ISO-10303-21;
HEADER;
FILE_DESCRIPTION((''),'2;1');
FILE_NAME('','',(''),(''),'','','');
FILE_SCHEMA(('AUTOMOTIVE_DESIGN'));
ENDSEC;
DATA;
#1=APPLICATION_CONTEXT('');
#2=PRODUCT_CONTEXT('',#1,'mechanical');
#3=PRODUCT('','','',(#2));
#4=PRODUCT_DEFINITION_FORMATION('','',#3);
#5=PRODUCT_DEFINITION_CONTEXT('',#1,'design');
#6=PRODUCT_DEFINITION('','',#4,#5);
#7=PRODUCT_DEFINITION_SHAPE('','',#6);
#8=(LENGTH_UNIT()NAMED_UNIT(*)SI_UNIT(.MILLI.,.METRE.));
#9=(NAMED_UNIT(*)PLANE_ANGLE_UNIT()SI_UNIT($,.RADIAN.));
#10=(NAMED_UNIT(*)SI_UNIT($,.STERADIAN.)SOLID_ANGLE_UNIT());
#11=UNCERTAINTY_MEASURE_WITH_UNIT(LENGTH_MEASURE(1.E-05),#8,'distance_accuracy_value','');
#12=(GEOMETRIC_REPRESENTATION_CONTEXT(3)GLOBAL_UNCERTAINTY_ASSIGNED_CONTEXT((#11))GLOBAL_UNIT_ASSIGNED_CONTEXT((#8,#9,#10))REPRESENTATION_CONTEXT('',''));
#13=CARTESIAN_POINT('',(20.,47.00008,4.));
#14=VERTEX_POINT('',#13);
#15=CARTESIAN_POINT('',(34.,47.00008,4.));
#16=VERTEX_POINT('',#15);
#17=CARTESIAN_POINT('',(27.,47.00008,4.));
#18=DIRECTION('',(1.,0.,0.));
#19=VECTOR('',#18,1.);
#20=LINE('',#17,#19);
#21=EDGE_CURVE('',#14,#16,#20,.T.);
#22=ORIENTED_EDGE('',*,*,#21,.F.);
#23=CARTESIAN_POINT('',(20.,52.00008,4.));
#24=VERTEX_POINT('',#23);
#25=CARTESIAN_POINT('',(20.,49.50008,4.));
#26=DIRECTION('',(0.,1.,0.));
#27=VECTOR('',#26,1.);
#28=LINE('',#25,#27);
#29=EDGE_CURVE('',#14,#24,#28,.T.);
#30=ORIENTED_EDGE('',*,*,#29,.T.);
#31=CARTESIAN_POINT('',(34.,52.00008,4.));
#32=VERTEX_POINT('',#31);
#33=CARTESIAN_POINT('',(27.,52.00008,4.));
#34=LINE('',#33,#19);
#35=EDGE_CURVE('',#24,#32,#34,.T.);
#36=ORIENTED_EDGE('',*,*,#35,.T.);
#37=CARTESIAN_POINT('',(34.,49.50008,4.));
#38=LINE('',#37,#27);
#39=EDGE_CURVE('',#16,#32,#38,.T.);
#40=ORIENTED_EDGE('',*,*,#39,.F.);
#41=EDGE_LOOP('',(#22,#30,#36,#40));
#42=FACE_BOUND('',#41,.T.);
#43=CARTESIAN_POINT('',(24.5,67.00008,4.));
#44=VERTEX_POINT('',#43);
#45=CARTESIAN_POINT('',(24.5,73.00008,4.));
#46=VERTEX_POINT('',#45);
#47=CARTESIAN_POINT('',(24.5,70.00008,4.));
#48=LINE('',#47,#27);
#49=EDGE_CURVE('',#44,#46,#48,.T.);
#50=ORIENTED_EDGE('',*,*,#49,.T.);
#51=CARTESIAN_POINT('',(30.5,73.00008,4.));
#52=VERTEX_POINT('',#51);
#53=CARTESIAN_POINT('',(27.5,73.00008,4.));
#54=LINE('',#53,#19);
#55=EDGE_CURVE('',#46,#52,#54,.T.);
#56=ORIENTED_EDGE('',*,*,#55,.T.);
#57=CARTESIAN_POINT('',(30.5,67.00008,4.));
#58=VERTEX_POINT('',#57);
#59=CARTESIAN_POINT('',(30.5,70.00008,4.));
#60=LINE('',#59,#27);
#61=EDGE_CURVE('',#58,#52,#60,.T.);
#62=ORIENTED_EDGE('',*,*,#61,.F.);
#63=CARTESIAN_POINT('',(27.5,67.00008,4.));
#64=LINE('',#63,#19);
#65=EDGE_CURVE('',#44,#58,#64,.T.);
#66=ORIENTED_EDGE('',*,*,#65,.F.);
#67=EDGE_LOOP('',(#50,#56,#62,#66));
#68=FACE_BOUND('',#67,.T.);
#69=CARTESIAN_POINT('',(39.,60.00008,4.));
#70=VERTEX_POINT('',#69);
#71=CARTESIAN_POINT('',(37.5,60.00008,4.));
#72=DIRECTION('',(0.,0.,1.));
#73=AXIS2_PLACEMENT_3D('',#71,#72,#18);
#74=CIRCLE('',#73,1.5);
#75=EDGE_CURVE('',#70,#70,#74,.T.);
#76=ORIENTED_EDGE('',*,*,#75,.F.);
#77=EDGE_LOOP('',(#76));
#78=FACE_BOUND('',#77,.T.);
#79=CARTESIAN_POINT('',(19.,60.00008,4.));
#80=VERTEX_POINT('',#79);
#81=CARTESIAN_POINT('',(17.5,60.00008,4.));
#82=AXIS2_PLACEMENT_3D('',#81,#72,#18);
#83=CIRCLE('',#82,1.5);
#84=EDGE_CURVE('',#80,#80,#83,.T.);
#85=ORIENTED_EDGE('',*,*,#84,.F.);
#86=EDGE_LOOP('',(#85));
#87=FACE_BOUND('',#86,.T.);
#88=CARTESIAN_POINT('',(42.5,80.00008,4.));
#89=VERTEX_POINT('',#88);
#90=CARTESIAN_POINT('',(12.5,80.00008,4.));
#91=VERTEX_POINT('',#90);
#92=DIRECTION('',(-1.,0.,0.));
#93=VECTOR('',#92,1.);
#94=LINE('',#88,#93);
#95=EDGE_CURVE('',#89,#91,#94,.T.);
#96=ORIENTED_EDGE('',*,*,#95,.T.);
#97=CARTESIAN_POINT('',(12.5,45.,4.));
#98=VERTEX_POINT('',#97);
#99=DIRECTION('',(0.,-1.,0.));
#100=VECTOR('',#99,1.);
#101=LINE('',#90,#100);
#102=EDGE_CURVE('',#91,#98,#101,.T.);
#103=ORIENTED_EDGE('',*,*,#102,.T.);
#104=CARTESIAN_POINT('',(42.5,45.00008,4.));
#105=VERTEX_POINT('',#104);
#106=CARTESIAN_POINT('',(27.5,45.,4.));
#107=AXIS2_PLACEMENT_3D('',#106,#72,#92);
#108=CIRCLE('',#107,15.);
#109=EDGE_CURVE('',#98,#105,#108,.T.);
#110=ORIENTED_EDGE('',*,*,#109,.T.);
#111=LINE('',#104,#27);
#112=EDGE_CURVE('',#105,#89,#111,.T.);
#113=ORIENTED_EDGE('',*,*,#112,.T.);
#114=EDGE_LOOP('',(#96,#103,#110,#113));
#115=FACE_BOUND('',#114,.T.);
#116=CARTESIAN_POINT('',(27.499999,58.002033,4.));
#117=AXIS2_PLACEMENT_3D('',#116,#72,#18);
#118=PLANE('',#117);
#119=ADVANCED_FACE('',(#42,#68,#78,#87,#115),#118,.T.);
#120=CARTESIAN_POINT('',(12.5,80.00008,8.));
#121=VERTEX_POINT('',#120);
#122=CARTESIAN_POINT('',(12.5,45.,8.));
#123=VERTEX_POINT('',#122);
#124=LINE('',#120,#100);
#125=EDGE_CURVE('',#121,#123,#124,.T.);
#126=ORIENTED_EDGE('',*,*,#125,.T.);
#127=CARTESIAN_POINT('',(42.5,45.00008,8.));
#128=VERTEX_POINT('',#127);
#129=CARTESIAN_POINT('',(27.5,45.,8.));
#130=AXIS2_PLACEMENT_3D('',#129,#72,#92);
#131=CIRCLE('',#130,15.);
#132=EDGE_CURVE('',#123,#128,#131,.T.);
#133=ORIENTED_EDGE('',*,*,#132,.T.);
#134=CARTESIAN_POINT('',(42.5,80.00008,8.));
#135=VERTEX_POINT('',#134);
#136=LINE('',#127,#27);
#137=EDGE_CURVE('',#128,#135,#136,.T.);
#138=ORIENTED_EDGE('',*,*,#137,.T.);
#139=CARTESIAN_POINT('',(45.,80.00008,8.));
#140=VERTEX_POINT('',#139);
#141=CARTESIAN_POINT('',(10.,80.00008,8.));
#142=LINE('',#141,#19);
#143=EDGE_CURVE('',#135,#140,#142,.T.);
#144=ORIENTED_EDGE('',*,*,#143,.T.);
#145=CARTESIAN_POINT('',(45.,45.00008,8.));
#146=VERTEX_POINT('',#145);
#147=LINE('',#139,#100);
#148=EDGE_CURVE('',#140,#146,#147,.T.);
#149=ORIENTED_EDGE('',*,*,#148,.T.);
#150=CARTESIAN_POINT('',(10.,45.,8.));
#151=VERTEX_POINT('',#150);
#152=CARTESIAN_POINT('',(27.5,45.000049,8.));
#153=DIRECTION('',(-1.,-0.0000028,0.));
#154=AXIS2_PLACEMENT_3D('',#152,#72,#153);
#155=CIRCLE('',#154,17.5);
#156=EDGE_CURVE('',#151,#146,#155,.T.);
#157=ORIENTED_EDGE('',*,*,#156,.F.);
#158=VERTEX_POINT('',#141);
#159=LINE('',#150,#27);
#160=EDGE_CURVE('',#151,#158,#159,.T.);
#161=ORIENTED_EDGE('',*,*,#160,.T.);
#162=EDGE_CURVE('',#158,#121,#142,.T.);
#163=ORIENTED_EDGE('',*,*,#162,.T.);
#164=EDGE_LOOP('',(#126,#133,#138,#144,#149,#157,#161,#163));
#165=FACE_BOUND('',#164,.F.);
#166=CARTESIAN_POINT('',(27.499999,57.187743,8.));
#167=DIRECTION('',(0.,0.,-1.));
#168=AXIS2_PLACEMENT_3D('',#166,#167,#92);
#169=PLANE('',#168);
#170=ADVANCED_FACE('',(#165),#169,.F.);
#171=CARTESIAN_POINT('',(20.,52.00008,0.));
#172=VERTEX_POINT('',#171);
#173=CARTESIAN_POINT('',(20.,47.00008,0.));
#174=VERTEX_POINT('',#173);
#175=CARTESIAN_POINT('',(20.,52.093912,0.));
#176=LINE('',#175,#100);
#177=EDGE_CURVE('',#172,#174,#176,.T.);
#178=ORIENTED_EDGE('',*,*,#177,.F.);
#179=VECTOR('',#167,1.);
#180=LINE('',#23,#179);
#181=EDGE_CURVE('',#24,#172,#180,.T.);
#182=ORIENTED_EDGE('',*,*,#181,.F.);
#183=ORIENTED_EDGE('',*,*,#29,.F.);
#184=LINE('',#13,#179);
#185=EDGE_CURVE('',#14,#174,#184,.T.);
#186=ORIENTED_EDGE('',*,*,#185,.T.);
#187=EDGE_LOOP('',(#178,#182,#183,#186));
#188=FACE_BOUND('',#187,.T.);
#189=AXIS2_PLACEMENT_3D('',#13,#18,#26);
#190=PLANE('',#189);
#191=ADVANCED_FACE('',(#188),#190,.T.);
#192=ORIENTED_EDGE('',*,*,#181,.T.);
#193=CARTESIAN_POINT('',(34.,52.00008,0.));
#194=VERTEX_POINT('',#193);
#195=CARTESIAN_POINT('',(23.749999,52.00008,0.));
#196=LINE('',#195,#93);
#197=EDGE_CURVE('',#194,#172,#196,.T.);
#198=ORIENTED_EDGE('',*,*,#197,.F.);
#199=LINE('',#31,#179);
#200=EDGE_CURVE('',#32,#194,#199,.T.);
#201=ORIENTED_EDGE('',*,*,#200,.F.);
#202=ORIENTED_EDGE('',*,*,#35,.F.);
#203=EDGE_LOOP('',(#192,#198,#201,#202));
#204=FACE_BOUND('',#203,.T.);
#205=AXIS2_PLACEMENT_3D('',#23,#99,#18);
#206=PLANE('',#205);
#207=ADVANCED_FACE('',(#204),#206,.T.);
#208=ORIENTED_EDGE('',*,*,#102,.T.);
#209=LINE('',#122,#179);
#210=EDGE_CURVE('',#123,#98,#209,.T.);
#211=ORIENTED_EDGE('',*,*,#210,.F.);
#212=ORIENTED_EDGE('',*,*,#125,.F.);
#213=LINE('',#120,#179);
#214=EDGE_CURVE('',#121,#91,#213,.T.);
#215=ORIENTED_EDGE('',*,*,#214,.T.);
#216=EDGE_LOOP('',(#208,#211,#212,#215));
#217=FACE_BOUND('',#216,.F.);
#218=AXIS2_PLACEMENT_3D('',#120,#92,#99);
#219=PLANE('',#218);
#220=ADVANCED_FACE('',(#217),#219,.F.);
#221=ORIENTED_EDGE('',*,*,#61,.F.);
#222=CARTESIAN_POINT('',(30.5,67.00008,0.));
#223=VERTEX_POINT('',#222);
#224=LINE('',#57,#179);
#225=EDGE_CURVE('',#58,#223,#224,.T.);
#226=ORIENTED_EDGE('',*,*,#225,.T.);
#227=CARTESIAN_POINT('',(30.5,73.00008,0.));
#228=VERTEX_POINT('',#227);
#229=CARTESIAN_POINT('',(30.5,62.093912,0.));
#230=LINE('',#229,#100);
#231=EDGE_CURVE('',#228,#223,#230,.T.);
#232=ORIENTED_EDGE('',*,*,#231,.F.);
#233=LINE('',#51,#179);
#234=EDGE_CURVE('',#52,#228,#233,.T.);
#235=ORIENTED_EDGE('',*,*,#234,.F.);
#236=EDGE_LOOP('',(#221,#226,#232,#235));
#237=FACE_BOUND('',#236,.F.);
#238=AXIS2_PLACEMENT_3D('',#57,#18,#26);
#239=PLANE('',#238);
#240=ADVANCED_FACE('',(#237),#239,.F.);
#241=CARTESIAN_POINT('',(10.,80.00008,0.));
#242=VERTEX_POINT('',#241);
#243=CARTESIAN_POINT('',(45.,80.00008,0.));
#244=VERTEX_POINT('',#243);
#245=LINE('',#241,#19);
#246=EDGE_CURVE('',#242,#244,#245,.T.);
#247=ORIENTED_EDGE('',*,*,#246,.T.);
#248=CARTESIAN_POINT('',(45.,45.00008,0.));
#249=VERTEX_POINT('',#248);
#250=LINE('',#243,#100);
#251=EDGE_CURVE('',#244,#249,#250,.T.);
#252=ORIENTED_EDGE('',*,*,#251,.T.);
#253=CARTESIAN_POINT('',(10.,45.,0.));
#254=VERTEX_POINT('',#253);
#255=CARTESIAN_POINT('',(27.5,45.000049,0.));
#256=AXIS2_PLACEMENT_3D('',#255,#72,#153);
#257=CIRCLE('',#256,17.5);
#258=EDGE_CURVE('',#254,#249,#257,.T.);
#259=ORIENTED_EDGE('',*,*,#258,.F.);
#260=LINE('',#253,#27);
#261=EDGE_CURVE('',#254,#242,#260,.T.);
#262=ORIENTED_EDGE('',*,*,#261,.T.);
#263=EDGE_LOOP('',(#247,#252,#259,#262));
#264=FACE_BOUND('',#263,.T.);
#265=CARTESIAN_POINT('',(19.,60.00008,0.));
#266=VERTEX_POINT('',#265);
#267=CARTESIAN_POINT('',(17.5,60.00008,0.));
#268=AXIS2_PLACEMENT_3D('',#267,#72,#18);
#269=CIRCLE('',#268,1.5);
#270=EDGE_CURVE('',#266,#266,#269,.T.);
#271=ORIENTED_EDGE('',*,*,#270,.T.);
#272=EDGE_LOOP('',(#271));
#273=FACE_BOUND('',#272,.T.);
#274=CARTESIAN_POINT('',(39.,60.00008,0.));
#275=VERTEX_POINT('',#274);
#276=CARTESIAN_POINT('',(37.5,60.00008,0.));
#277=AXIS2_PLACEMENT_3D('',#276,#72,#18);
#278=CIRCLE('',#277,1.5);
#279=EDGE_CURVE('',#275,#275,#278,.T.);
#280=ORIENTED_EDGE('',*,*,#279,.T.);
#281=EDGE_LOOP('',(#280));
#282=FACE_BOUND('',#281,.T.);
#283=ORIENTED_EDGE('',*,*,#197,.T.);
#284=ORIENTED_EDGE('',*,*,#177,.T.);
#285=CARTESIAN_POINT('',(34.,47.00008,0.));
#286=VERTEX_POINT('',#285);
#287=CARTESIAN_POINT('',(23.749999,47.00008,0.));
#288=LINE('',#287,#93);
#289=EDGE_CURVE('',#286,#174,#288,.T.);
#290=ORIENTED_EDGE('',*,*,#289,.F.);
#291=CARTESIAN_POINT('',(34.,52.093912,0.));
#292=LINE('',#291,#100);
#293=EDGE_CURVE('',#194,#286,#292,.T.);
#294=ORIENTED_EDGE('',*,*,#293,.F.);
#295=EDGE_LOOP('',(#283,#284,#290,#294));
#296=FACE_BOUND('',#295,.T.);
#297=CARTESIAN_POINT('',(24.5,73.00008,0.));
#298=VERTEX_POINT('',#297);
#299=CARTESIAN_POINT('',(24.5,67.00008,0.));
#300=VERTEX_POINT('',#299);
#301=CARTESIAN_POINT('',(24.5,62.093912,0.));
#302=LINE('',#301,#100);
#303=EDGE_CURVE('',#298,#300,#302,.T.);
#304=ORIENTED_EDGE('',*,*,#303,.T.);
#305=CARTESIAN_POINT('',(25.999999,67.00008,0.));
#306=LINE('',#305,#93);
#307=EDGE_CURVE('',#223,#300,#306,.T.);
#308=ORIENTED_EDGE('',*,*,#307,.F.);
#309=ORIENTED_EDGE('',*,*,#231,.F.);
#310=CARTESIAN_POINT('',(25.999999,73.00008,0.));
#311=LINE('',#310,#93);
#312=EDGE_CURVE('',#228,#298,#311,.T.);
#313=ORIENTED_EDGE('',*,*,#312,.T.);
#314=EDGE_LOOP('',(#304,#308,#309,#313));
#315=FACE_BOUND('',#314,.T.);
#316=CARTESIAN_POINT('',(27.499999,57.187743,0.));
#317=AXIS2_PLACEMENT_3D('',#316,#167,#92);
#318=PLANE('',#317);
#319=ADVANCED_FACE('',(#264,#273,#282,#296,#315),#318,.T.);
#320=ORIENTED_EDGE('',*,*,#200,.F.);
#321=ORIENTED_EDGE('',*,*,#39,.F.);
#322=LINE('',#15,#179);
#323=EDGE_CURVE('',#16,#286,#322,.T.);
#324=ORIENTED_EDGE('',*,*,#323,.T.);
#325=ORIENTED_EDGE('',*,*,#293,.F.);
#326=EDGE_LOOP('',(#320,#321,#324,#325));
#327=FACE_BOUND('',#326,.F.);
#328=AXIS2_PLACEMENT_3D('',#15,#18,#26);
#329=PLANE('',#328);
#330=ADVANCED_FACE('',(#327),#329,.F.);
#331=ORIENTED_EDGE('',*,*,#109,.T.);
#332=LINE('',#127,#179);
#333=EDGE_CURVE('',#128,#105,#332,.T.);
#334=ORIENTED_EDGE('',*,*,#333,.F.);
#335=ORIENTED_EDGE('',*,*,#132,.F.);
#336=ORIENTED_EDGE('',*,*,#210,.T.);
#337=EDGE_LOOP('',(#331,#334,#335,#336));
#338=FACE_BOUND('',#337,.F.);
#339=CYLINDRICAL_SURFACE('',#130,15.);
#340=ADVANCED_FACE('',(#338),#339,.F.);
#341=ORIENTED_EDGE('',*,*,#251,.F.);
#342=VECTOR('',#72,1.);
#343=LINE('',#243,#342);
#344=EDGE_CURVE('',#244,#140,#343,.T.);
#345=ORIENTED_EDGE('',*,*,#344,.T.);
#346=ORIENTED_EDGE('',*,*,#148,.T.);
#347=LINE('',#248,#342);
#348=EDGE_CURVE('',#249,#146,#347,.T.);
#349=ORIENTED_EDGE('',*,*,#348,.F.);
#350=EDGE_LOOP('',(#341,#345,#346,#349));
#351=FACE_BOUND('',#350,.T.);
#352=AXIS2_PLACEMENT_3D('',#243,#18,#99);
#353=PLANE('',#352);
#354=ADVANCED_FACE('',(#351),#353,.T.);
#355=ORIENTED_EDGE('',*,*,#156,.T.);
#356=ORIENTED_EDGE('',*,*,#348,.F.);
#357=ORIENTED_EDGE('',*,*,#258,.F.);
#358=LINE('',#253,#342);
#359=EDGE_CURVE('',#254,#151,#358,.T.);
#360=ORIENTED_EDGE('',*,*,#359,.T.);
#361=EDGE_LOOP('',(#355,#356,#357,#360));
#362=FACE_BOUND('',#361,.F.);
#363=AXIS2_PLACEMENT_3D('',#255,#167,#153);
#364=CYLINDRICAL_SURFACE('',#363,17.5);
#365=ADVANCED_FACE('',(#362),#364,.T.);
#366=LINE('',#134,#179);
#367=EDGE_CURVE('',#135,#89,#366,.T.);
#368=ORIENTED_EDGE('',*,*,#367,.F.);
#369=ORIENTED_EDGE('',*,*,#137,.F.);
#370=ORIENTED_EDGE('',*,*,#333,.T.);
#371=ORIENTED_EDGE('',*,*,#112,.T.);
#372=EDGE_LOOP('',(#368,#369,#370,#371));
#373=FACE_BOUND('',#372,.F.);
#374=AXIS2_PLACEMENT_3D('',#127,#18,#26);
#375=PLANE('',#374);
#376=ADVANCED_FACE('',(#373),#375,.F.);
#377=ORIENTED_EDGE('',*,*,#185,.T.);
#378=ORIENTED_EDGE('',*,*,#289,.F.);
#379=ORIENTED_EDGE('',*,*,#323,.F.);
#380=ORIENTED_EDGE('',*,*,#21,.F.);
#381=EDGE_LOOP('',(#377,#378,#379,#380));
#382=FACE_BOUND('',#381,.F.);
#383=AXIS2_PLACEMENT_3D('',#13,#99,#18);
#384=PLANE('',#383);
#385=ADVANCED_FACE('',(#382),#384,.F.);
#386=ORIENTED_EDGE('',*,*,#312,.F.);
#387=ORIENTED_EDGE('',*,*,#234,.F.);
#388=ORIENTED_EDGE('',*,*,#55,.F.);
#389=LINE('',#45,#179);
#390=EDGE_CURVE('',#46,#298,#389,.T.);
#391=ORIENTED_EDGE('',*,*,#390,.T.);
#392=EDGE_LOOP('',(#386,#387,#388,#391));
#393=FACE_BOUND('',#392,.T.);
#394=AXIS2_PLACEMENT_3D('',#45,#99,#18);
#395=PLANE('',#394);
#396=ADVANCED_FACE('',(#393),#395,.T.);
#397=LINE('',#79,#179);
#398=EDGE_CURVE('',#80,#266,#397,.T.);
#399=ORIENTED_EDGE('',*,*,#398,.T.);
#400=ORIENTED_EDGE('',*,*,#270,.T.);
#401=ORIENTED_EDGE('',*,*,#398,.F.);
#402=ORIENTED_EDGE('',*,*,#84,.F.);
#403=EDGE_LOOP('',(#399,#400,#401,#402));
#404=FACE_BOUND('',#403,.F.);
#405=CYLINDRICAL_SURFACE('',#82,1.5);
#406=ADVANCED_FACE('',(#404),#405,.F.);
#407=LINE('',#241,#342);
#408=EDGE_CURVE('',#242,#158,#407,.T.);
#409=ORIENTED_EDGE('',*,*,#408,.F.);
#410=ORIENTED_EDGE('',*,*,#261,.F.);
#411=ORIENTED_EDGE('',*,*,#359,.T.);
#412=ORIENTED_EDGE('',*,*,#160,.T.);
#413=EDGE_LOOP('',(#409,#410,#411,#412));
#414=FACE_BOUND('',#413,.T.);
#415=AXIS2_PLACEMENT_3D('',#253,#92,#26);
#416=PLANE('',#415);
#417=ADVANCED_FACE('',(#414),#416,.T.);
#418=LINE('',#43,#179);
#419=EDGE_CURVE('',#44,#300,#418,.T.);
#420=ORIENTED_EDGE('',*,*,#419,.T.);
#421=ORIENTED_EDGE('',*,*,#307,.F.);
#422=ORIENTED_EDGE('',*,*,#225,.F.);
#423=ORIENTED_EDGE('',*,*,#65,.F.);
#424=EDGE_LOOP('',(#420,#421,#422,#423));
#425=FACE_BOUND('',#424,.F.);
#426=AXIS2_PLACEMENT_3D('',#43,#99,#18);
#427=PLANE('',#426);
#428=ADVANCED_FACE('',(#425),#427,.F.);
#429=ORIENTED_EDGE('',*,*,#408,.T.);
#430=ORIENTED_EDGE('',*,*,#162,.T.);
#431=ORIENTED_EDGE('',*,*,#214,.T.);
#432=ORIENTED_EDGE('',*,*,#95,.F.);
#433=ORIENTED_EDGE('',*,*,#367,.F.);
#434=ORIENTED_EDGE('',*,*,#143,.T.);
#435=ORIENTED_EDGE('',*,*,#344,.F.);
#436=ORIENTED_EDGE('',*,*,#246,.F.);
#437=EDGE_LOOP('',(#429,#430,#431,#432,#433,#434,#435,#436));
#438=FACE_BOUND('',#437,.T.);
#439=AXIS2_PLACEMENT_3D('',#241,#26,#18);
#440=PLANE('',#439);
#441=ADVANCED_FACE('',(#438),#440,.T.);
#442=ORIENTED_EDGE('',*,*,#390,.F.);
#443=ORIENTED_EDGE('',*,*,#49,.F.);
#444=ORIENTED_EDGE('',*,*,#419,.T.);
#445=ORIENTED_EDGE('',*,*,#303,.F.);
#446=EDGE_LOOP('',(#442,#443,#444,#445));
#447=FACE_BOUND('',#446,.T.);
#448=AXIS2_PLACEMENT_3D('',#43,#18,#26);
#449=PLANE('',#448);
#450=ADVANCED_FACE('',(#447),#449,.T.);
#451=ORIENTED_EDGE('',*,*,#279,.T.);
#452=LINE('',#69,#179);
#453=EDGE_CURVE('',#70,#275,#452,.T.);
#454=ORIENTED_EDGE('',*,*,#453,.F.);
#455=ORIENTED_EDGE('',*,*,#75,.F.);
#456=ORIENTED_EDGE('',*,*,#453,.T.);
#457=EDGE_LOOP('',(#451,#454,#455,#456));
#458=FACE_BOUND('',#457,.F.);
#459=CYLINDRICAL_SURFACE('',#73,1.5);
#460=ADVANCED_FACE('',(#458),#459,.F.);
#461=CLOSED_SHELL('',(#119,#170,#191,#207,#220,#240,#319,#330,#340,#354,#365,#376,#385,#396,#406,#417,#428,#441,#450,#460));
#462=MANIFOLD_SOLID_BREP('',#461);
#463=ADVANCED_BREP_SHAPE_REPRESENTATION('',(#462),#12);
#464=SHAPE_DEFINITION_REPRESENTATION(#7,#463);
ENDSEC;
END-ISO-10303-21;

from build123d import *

# Parameters (mm, degrees)
PAD_DEPTH       = 8
POCKET_DEPTH    = 4
SKETCH002_R     = 1.5
SKETCH002_W     = 14
SKETCH002_H     = 5
SKETCH002_W_2   = 6
SKETCH002_H_2   = 6
POCKET001_DEPTH = 5


with BuildPart() as part:
    # Sketch → Pad (new body)
    with BuildSketch(Plane.XY):
        with BuildLine():
            Line((10, 80), (10, 80.00008))
            Line((10, 80.00008), (45, 80.00008))
            Line((45, 80.00008), (45, 45.00008))
            ThreePointArc((10, 45), (27.50004, 27.500049), (45, 45.00008))
            Line((10, 45), (10, 80))
        make_face()
    extrude(amount=PAD_DEPTH)

    # Sketch001 (on Face7 of Pad) → Pocket (cut)
    with BuildSketch(Plane.XY.offset(8)):
        with BuildLine():
            Line((12.5, 80.00008), (12.5, 45))
            ThreePointArc((12.5, 45), (27.50004, 30), (42.5, 45.00008))
            Line((42.5, 45.00008), (42.5, 80.00008))
            Line((42.5, 80.00008), (12.5, 80.00008))
        make_face()
    extrude(amount=-POCKET_DEPTH, mode=Mode.SUBTRACT)

    # Sketch002 (on Face9 of Pocket) → Pocket001 (cut)
    with BuildSketch(Plane.XY.offset(4)):
        with Locations((17.5, 60.00008)):
            Circle(SKETCH002_R)
        with Locations((37.5, 60.00008)):
            Circle(SKETCH002_R)
        with Locations((27, 49.50008)):
            Rectangle(SKETCH002_W, SKETCH002_H)
        with Locations((27.5, 70.00008)):
            Rectangle(SKETCH002_W_2, SKETCH002_H_2)
    extrude(amount=-POCKET001_DEPTH, mode=Mode.SUBTRACT)


solid = part.part
